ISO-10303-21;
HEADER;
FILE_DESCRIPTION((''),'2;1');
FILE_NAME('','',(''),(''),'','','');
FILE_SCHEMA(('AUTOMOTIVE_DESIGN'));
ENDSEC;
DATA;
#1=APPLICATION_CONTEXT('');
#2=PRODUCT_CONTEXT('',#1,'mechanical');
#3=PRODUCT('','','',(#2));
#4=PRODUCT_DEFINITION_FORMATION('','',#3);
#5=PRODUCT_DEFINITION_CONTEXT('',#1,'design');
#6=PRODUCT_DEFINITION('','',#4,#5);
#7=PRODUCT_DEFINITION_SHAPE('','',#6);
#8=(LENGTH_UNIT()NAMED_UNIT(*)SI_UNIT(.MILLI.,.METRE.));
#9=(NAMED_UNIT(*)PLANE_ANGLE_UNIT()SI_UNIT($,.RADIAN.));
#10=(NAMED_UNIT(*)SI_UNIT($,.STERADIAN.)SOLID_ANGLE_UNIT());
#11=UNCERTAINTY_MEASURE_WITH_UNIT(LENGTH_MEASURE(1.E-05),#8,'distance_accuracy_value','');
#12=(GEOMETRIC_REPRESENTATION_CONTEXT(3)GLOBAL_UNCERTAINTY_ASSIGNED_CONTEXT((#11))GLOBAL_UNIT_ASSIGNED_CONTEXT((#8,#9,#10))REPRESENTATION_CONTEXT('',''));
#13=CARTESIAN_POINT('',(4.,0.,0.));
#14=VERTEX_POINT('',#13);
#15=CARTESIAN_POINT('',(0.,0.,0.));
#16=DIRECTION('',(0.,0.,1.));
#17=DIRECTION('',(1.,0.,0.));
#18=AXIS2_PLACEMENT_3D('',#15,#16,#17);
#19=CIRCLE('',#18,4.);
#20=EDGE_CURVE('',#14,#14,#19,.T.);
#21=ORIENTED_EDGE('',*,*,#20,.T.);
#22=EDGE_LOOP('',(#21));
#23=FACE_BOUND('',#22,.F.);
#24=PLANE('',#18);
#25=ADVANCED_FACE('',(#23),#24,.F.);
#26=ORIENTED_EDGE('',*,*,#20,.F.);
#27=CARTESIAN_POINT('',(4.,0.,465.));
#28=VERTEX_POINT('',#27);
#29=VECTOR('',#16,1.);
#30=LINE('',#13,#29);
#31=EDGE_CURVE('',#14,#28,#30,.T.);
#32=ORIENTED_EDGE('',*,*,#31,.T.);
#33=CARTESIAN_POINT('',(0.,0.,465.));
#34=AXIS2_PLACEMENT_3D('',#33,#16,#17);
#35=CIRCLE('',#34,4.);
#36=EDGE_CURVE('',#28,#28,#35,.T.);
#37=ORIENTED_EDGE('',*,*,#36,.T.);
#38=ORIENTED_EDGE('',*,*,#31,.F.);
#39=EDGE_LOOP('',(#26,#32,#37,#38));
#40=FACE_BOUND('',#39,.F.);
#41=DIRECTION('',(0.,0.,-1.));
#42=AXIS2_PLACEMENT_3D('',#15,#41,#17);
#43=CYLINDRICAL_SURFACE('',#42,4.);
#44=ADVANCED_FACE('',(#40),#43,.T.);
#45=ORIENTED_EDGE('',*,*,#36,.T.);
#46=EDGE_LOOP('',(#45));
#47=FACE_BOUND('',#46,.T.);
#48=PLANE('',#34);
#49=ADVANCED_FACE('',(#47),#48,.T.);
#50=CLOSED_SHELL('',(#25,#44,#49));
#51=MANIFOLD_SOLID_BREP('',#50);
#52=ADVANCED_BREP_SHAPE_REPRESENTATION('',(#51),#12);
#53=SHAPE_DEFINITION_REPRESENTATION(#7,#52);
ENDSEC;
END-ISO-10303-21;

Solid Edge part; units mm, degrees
sketch "Sketch1" plane through (0, 0, 0) normal (0, 0, 1) x (1, 0, 0)
  circle A0 centre (0, 0) radius 4
extrude "Protrusion1" add sketch "Sketch1" along normal blind 465
properties material "Stainless steel"
